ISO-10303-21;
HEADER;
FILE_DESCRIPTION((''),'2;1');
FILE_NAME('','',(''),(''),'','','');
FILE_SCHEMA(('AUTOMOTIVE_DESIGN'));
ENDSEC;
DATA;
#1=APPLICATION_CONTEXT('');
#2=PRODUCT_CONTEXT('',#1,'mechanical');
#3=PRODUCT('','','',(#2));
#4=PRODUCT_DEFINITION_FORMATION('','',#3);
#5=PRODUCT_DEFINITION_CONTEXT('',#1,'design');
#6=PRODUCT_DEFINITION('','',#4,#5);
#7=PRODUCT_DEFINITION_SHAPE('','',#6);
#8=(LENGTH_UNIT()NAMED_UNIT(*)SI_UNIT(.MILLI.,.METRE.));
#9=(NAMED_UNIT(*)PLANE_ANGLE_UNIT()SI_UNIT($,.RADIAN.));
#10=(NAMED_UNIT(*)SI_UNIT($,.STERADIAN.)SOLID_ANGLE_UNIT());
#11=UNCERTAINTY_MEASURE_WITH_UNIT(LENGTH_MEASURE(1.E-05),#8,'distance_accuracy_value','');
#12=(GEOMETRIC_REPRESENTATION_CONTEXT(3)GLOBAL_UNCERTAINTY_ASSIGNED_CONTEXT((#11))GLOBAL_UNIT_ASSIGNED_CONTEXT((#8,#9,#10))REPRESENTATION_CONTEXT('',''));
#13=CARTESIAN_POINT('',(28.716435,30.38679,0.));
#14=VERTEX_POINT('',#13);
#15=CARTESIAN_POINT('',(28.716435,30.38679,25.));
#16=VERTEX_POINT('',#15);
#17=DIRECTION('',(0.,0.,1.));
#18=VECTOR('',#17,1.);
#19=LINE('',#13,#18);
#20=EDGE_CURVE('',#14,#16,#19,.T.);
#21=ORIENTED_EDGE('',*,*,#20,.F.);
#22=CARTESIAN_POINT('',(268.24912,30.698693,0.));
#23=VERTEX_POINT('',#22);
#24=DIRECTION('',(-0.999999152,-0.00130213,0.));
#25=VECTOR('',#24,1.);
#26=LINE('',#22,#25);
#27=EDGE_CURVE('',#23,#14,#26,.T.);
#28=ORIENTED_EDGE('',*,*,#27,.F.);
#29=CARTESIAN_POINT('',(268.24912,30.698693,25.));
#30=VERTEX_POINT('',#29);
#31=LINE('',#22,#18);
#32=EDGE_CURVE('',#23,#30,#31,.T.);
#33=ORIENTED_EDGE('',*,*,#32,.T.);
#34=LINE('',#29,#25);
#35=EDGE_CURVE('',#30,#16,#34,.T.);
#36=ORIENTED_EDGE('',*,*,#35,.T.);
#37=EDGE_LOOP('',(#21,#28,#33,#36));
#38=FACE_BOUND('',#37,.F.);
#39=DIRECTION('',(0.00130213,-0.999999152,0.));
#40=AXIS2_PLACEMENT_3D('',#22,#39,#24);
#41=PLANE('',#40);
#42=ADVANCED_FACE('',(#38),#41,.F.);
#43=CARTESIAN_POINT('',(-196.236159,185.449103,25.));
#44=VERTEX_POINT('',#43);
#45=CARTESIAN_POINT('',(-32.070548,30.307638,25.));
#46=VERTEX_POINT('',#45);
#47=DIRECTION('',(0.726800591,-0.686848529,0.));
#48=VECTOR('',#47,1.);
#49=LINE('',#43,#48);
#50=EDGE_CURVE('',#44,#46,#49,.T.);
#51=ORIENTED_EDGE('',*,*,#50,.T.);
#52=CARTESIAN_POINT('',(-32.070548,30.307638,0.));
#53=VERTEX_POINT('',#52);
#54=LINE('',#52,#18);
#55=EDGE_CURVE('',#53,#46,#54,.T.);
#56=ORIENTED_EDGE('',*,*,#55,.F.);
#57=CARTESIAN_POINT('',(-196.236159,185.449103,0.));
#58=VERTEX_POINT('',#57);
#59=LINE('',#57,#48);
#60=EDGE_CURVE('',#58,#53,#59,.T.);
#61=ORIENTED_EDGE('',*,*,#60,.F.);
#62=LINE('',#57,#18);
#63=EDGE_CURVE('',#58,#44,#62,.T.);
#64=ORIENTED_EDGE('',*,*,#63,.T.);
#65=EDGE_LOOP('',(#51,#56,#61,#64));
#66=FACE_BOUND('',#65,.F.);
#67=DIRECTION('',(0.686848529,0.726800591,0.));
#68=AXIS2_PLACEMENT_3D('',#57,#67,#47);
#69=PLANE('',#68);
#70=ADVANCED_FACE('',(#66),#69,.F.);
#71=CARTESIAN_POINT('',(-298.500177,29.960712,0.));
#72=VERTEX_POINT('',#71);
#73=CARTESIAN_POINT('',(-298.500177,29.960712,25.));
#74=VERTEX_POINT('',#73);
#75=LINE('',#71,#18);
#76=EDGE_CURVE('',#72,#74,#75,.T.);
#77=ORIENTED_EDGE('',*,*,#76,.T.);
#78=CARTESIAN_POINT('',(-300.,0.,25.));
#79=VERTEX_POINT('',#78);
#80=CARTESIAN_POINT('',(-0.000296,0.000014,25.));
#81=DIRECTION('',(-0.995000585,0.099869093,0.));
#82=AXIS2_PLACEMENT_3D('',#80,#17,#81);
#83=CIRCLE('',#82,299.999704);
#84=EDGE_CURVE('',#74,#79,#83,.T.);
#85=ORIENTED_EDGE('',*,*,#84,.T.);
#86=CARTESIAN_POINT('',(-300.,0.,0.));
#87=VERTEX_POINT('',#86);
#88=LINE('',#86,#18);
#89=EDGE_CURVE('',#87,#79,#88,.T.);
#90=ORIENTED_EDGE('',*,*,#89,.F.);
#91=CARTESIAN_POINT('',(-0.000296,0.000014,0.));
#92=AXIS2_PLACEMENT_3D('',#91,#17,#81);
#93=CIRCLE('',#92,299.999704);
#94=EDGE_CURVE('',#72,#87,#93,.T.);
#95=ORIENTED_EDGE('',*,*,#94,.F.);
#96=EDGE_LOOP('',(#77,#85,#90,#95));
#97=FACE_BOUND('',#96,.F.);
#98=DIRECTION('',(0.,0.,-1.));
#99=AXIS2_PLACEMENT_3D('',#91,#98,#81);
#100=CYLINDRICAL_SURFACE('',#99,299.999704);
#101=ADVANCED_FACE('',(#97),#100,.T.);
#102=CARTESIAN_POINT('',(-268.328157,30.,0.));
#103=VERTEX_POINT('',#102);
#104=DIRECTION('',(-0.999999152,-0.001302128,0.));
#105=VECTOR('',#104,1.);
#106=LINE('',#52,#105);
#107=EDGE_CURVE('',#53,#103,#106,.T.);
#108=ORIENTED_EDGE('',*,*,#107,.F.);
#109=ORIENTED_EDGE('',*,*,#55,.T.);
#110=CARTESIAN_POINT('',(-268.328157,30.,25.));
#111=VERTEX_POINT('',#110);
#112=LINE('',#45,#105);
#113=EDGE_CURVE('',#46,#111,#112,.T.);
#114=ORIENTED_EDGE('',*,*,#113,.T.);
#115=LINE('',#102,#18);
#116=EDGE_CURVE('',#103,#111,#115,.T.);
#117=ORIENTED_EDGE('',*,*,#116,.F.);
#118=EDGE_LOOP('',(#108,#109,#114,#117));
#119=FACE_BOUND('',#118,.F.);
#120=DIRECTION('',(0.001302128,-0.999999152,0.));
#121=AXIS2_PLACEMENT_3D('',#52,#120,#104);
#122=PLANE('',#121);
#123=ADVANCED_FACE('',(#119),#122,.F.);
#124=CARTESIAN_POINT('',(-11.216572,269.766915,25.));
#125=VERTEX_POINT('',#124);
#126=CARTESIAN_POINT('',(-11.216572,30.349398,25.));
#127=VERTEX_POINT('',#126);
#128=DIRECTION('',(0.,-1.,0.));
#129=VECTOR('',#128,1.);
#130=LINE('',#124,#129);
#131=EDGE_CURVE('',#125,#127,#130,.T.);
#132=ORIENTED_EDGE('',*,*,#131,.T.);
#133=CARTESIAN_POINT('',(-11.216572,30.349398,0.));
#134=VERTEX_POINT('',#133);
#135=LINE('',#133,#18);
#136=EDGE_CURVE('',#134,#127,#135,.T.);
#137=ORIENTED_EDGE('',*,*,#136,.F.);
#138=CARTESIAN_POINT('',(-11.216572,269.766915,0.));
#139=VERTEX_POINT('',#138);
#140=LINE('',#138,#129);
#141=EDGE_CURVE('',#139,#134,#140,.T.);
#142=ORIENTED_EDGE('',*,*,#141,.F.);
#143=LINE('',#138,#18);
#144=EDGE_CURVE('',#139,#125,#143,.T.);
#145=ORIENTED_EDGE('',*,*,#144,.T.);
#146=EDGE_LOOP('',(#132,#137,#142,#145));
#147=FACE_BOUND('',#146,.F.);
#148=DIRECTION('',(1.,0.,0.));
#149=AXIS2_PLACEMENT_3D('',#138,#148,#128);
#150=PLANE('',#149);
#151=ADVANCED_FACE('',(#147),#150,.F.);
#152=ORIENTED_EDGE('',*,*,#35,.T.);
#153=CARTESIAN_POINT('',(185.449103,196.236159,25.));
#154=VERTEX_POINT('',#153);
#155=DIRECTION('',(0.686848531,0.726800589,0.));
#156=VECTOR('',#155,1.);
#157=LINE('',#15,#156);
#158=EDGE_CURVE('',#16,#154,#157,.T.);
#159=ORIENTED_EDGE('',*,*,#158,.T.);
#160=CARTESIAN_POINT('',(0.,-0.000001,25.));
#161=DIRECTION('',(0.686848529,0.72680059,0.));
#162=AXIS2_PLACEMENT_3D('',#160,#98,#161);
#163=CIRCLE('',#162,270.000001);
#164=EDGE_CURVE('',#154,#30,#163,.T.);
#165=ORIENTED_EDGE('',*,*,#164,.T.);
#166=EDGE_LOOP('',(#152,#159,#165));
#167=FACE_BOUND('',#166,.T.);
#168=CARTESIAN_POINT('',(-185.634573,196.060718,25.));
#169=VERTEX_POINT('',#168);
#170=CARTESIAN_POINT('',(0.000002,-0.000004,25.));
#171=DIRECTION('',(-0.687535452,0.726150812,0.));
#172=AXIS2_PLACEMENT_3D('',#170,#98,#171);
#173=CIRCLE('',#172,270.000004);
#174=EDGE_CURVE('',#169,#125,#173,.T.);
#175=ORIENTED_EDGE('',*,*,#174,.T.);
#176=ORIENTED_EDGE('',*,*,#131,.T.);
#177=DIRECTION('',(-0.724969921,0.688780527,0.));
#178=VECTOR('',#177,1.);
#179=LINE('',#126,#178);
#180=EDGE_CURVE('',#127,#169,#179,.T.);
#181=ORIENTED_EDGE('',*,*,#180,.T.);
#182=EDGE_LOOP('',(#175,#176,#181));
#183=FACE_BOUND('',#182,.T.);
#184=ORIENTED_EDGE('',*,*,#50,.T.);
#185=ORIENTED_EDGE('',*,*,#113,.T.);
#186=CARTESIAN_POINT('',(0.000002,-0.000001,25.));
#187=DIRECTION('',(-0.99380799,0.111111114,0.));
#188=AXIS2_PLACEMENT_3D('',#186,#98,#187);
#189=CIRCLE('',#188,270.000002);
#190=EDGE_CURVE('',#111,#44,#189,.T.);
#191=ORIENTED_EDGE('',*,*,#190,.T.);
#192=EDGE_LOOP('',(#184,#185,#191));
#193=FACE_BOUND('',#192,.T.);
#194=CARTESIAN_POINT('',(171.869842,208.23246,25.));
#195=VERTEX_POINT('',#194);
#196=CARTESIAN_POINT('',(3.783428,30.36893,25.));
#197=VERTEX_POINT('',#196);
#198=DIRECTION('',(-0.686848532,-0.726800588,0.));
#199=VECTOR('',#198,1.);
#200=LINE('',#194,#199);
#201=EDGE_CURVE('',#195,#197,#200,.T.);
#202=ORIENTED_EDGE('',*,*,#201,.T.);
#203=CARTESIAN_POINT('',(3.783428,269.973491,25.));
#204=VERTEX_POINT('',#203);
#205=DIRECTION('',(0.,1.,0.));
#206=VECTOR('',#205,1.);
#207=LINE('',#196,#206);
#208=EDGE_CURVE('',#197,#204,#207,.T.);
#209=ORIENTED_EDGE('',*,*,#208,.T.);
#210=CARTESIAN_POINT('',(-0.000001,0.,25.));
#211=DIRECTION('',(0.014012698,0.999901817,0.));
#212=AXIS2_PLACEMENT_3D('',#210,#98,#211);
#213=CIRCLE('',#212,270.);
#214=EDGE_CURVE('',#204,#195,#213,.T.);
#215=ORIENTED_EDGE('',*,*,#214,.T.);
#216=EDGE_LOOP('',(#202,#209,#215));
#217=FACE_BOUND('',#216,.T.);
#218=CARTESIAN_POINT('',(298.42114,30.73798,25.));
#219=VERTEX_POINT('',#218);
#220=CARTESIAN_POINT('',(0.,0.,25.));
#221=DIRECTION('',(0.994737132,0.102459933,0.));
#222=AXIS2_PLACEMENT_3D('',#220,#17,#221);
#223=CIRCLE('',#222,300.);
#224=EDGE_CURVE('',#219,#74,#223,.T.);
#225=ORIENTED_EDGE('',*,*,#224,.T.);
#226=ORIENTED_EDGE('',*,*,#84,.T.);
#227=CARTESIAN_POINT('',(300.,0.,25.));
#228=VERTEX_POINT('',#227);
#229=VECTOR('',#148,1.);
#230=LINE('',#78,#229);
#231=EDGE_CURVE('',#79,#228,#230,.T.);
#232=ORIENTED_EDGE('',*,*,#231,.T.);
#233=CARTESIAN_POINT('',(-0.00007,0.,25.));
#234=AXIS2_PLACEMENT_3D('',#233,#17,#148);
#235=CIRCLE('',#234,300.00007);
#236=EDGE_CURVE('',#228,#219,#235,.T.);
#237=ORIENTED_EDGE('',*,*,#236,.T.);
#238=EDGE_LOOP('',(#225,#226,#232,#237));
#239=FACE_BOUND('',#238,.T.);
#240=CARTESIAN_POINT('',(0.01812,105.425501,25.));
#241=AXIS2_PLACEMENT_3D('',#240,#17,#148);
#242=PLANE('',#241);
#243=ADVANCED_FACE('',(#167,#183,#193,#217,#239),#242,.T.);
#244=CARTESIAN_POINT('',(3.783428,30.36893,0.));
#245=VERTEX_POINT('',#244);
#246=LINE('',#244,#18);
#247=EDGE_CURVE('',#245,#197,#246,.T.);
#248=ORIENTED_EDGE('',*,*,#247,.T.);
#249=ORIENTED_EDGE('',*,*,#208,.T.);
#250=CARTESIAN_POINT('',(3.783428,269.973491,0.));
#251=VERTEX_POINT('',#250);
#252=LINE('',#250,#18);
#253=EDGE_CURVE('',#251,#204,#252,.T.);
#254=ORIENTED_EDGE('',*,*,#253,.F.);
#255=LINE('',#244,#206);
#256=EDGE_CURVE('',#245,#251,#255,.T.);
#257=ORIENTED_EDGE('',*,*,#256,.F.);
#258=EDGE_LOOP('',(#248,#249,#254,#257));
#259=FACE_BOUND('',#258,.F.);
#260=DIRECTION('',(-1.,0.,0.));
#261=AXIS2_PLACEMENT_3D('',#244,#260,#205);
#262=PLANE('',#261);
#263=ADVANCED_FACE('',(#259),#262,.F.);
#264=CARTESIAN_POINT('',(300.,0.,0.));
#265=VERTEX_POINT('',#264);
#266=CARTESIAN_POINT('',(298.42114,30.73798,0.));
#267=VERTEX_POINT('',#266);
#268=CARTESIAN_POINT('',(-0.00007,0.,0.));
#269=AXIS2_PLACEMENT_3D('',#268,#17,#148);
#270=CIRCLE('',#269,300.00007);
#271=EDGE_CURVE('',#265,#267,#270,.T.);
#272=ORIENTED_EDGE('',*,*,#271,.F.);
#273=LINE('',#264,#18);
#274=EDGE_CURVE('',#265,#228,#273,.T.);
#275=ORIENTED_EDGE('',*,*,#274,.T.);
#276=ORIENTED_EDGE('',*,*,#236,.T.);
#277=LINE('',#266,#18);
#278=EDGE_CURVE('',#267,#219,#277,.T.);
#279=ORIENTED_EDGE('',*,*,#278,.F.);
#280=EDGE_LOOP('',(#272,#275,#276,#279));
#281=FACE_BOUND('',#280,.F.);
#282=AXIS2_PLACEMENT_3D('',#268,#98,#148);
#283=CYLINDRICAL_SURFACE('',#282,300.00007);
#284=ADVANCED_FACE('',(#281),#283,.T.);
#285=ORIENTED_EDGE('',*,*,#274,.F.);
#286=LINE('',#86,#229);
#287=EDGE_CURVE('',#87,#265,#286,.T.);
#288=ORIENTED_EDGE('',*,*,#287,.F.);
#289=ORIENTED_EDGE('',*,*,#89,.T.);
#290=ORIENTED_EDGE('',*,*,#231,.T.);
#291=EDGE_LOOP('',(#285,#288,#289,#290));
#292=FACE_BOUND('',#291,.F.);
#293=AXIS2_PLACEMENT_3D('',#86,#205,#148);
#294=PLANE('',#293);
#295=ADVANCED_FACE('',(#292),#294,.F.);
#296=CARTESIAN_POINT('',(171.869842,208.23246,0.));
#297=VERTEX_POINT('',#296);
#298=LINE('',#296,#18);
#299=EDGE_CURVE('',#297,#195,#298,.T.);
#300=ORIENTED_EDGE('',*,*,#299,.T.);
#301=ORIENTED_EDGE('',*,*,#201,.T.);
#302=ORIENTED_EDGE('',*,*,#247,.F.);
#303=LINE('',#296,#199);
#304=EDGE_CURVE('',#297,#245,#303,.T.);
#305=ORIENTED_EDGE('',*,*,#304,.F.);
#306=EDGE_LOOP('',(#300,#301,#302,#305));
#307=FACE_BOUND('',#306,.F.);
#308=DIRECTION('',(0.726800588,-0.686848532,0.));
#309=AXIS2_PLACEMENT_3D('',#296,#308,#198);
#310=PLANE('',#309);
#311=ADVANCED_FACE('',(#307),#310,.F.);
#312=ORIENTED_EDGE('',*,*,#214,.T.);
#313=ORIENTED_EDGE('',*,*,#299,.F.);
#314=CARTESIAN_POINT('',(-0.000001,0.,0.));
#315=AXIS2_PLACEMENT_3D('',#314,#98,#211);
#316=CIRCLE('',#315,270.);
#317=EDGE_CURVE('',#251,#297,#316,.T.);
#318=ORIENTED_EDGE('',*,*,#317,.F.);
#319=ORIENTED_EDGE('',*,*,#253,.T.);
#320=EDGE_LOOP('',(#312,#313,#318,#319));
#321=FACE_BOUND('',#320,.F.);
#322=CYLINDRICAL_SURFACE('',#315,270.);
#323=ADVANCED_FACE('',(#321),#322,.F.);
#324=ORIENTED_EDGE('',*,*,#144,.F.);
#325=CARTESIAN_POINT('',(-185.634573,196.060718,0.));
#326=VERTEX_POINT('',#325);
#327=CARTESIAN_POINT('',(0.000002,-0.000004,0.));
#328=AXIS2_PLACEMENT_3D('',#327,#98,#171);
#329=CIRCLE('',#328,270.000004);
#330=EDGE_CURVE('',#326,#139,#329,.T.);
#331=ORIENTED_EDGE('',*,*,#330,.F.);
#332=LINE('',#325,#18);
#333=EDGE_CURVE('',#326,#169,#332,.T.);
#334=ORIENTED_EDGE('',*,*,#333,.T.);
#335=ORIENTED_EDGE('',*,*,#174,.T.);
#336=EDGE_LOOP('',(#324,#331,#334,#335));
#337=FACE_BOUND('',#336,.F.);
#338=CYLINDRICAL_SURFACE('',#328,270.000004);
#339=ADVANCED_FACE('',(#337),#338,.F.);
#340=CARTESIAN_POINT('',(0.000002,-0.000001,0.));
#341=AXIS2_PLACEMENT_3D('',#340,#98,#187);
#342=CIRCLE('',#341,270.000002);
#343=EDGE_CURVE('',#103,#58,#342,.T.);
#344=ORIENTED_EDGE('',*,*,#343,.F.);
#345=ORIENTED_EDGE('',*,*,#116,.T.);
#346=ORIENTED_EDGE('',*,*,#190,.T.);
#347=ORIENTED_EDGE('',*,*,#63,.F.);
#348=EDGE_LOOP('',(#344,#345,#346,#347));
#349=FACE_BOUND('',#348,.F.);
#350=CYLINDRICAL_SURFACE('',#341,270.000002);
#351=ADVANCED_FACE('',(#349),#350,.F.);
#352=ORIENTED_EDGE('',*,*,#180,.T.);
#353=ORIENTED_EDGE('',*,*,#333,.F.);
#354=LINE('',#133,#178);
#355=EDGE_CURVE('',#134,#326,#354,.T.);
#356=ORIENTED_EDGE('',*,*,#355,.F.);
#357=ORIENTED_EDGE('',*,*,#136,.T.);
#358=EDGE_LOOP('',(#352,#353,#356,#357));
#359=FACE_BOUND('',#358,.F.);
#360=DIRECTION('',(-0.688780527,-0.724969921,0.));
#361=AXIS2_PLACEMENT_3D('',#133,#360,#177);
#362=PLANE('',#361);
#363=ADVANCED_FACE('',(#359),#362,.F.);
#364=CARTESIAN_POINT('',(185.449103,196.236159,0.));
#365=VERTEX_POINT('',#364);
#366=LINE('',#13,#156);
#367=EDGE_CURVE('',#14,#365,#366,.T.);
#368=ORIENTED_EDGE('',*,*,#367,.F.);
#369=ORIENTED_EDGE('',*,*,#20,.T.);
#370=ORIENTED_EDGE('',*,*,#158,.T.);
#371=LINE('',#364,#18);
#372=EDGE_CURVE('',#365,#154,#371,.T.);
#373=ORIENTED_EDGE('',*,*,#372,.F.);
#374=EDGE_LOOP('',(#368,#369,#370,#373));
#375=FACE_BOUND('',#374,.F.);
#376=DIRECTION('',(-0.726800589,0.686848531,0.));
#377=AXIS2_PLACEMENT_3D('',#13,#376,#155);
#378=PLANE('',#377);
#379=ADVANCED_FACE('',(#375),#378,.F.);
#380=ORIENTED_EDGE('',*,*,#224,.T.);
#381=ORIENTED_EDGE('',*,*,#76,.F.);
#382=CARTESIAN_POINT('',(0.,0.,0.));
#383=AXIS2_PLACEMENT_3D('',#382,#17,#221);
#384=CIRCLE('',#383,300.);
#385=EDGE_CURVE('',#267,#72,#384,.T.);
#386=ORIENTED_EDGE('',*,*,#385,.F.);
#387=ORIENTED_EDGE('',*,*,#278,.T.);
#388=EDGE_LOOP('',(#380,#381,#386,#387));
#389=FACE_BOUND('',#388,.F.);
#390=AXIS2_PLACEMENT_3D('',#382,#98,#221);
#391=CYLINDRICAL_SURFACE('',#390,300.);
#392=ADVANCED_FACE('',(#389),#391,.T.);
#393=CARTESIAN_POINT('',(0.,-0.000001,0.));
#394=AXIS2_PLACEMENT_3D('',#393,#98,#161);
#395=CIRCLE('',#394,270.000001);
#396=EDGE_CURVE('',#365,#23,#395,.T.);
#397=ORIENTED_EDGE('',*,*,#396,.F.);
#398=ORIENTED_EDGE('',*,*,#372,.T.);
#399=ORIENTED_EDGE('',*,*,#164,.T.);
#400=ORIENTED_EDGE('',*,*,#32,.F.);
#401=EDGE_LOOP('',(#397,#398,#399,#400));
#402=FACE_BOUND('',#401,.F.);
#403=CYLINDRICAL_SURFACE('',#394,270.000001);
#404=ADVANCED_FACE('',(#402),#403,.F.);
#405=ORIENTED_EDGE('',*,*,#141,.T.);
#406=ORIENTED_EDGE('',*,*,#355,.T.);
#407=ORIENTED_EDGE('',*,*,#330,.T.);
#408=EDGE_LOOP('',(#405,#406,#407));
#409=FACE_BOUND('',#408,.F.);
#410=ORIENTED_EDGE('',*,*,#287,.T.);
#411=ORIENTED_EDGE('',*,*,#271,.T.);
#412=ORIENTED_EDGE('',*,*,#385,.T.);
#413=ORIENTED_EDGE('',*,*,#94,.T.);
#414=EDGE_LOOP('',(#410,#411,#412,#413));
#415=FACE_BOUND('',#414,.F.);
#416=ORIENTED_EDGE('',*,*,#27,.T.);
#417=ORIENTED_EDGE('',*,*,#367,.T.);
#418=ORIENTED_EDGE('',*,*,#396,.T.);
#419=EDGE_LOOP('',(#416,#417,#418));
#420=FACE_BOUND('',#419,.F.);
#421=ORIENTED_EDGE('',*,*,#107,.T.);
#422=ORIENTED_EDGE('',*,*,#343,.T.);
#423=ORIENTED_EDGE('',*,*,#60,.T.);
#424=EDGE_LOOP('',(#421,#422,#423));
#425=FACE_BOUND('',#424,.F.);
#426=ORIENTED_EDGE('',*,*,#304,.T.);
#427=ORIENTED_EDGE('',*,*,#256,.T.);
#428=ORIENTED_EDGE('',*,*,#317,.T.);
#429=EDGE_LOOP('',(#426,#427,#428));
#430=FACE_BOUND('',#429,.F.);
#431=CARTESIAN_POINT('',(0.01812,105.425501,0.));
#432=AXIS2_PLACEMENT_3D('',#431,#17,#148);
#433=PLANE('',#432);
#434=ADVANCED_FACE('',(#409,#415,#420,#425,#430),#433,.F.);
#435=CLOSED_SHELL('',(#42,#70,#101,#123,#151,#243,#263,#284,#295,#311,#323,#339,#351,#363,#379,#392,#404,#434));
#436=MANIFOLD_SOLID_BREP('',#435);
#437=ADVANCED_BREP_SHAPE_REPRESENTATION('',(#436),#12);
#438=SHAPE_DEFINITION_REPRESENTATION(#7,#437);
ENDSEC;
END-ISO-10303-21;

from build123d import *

# Parameters (mm, degrees)
F1_DEPTH = 25


with BuildPart() as f1:
    # F0 (on Top) → F1 (new body)
    with BuildSketch(Plane.XY):
        with BuildLine():
            Line((0, 0), (300, 0))
            ThreePointArc((300, 0), (299.605025, 15.389251), (298.42114, 30.73798))
            ThreePointArc((298.42114, 30.73798), (-0.390638, 299.999746), (-298.500177, 29.960712))
            ThreePointArc((-298.500177, 29.960712), (-299.62481, 14.999114), (-300, 0))
            Line((-300, 0), (0, 0))
        make_face()
        with BuildLine():
            Line((-196.236159, 185.449103), (-32.070548, 30.307638))
            Line((-32.070548, 30.307638), (-268.328157, 30))
            ThreePointArc((-268.328157, 30), (-244.941027, 113.595304), (-196.236159, 185.449103))
        make_face(mode=Mode.SUBTRACT)
        with BuildLine():
            ThreePointArc((185.449103, 196.236159), (241.477085, 120.784177), (268.24912, 30.698693))
            Line((268.24912, 30.698693), (28.716435, 30.38679))
            Line((28.716435, 30.38679), (185.449103, 196.236159))
        make_face(mode=Mode.SUBTRACT)
        with BuildLine():
            Line((-11.216572, 30.349398), (-185.634573, 196.060718))
            ThreePointArc((-185.634573, 196.060718), (-105.098735, 248.705158), (-11.216572, 269.766915))
            Line((-11.216572, 269.766915), (-11.216572, 30.349398))
        make_face(mode=Mode.SUBTRACT)
        with BuildLine():
            Line((171.869842, 208.23246), (3.783428, 30.36893))
            Line((3.783428, 30.36893), (3.783428, 269.973491))
            ThreePointArc((3.783428, 269.973491), (93.094073, 253.443275), (171.869842, 208.23246))
        make_face(mode=Mode.SUBTRACT)
    extrude(amount=F1_DEPTH)


solid = f1.part
